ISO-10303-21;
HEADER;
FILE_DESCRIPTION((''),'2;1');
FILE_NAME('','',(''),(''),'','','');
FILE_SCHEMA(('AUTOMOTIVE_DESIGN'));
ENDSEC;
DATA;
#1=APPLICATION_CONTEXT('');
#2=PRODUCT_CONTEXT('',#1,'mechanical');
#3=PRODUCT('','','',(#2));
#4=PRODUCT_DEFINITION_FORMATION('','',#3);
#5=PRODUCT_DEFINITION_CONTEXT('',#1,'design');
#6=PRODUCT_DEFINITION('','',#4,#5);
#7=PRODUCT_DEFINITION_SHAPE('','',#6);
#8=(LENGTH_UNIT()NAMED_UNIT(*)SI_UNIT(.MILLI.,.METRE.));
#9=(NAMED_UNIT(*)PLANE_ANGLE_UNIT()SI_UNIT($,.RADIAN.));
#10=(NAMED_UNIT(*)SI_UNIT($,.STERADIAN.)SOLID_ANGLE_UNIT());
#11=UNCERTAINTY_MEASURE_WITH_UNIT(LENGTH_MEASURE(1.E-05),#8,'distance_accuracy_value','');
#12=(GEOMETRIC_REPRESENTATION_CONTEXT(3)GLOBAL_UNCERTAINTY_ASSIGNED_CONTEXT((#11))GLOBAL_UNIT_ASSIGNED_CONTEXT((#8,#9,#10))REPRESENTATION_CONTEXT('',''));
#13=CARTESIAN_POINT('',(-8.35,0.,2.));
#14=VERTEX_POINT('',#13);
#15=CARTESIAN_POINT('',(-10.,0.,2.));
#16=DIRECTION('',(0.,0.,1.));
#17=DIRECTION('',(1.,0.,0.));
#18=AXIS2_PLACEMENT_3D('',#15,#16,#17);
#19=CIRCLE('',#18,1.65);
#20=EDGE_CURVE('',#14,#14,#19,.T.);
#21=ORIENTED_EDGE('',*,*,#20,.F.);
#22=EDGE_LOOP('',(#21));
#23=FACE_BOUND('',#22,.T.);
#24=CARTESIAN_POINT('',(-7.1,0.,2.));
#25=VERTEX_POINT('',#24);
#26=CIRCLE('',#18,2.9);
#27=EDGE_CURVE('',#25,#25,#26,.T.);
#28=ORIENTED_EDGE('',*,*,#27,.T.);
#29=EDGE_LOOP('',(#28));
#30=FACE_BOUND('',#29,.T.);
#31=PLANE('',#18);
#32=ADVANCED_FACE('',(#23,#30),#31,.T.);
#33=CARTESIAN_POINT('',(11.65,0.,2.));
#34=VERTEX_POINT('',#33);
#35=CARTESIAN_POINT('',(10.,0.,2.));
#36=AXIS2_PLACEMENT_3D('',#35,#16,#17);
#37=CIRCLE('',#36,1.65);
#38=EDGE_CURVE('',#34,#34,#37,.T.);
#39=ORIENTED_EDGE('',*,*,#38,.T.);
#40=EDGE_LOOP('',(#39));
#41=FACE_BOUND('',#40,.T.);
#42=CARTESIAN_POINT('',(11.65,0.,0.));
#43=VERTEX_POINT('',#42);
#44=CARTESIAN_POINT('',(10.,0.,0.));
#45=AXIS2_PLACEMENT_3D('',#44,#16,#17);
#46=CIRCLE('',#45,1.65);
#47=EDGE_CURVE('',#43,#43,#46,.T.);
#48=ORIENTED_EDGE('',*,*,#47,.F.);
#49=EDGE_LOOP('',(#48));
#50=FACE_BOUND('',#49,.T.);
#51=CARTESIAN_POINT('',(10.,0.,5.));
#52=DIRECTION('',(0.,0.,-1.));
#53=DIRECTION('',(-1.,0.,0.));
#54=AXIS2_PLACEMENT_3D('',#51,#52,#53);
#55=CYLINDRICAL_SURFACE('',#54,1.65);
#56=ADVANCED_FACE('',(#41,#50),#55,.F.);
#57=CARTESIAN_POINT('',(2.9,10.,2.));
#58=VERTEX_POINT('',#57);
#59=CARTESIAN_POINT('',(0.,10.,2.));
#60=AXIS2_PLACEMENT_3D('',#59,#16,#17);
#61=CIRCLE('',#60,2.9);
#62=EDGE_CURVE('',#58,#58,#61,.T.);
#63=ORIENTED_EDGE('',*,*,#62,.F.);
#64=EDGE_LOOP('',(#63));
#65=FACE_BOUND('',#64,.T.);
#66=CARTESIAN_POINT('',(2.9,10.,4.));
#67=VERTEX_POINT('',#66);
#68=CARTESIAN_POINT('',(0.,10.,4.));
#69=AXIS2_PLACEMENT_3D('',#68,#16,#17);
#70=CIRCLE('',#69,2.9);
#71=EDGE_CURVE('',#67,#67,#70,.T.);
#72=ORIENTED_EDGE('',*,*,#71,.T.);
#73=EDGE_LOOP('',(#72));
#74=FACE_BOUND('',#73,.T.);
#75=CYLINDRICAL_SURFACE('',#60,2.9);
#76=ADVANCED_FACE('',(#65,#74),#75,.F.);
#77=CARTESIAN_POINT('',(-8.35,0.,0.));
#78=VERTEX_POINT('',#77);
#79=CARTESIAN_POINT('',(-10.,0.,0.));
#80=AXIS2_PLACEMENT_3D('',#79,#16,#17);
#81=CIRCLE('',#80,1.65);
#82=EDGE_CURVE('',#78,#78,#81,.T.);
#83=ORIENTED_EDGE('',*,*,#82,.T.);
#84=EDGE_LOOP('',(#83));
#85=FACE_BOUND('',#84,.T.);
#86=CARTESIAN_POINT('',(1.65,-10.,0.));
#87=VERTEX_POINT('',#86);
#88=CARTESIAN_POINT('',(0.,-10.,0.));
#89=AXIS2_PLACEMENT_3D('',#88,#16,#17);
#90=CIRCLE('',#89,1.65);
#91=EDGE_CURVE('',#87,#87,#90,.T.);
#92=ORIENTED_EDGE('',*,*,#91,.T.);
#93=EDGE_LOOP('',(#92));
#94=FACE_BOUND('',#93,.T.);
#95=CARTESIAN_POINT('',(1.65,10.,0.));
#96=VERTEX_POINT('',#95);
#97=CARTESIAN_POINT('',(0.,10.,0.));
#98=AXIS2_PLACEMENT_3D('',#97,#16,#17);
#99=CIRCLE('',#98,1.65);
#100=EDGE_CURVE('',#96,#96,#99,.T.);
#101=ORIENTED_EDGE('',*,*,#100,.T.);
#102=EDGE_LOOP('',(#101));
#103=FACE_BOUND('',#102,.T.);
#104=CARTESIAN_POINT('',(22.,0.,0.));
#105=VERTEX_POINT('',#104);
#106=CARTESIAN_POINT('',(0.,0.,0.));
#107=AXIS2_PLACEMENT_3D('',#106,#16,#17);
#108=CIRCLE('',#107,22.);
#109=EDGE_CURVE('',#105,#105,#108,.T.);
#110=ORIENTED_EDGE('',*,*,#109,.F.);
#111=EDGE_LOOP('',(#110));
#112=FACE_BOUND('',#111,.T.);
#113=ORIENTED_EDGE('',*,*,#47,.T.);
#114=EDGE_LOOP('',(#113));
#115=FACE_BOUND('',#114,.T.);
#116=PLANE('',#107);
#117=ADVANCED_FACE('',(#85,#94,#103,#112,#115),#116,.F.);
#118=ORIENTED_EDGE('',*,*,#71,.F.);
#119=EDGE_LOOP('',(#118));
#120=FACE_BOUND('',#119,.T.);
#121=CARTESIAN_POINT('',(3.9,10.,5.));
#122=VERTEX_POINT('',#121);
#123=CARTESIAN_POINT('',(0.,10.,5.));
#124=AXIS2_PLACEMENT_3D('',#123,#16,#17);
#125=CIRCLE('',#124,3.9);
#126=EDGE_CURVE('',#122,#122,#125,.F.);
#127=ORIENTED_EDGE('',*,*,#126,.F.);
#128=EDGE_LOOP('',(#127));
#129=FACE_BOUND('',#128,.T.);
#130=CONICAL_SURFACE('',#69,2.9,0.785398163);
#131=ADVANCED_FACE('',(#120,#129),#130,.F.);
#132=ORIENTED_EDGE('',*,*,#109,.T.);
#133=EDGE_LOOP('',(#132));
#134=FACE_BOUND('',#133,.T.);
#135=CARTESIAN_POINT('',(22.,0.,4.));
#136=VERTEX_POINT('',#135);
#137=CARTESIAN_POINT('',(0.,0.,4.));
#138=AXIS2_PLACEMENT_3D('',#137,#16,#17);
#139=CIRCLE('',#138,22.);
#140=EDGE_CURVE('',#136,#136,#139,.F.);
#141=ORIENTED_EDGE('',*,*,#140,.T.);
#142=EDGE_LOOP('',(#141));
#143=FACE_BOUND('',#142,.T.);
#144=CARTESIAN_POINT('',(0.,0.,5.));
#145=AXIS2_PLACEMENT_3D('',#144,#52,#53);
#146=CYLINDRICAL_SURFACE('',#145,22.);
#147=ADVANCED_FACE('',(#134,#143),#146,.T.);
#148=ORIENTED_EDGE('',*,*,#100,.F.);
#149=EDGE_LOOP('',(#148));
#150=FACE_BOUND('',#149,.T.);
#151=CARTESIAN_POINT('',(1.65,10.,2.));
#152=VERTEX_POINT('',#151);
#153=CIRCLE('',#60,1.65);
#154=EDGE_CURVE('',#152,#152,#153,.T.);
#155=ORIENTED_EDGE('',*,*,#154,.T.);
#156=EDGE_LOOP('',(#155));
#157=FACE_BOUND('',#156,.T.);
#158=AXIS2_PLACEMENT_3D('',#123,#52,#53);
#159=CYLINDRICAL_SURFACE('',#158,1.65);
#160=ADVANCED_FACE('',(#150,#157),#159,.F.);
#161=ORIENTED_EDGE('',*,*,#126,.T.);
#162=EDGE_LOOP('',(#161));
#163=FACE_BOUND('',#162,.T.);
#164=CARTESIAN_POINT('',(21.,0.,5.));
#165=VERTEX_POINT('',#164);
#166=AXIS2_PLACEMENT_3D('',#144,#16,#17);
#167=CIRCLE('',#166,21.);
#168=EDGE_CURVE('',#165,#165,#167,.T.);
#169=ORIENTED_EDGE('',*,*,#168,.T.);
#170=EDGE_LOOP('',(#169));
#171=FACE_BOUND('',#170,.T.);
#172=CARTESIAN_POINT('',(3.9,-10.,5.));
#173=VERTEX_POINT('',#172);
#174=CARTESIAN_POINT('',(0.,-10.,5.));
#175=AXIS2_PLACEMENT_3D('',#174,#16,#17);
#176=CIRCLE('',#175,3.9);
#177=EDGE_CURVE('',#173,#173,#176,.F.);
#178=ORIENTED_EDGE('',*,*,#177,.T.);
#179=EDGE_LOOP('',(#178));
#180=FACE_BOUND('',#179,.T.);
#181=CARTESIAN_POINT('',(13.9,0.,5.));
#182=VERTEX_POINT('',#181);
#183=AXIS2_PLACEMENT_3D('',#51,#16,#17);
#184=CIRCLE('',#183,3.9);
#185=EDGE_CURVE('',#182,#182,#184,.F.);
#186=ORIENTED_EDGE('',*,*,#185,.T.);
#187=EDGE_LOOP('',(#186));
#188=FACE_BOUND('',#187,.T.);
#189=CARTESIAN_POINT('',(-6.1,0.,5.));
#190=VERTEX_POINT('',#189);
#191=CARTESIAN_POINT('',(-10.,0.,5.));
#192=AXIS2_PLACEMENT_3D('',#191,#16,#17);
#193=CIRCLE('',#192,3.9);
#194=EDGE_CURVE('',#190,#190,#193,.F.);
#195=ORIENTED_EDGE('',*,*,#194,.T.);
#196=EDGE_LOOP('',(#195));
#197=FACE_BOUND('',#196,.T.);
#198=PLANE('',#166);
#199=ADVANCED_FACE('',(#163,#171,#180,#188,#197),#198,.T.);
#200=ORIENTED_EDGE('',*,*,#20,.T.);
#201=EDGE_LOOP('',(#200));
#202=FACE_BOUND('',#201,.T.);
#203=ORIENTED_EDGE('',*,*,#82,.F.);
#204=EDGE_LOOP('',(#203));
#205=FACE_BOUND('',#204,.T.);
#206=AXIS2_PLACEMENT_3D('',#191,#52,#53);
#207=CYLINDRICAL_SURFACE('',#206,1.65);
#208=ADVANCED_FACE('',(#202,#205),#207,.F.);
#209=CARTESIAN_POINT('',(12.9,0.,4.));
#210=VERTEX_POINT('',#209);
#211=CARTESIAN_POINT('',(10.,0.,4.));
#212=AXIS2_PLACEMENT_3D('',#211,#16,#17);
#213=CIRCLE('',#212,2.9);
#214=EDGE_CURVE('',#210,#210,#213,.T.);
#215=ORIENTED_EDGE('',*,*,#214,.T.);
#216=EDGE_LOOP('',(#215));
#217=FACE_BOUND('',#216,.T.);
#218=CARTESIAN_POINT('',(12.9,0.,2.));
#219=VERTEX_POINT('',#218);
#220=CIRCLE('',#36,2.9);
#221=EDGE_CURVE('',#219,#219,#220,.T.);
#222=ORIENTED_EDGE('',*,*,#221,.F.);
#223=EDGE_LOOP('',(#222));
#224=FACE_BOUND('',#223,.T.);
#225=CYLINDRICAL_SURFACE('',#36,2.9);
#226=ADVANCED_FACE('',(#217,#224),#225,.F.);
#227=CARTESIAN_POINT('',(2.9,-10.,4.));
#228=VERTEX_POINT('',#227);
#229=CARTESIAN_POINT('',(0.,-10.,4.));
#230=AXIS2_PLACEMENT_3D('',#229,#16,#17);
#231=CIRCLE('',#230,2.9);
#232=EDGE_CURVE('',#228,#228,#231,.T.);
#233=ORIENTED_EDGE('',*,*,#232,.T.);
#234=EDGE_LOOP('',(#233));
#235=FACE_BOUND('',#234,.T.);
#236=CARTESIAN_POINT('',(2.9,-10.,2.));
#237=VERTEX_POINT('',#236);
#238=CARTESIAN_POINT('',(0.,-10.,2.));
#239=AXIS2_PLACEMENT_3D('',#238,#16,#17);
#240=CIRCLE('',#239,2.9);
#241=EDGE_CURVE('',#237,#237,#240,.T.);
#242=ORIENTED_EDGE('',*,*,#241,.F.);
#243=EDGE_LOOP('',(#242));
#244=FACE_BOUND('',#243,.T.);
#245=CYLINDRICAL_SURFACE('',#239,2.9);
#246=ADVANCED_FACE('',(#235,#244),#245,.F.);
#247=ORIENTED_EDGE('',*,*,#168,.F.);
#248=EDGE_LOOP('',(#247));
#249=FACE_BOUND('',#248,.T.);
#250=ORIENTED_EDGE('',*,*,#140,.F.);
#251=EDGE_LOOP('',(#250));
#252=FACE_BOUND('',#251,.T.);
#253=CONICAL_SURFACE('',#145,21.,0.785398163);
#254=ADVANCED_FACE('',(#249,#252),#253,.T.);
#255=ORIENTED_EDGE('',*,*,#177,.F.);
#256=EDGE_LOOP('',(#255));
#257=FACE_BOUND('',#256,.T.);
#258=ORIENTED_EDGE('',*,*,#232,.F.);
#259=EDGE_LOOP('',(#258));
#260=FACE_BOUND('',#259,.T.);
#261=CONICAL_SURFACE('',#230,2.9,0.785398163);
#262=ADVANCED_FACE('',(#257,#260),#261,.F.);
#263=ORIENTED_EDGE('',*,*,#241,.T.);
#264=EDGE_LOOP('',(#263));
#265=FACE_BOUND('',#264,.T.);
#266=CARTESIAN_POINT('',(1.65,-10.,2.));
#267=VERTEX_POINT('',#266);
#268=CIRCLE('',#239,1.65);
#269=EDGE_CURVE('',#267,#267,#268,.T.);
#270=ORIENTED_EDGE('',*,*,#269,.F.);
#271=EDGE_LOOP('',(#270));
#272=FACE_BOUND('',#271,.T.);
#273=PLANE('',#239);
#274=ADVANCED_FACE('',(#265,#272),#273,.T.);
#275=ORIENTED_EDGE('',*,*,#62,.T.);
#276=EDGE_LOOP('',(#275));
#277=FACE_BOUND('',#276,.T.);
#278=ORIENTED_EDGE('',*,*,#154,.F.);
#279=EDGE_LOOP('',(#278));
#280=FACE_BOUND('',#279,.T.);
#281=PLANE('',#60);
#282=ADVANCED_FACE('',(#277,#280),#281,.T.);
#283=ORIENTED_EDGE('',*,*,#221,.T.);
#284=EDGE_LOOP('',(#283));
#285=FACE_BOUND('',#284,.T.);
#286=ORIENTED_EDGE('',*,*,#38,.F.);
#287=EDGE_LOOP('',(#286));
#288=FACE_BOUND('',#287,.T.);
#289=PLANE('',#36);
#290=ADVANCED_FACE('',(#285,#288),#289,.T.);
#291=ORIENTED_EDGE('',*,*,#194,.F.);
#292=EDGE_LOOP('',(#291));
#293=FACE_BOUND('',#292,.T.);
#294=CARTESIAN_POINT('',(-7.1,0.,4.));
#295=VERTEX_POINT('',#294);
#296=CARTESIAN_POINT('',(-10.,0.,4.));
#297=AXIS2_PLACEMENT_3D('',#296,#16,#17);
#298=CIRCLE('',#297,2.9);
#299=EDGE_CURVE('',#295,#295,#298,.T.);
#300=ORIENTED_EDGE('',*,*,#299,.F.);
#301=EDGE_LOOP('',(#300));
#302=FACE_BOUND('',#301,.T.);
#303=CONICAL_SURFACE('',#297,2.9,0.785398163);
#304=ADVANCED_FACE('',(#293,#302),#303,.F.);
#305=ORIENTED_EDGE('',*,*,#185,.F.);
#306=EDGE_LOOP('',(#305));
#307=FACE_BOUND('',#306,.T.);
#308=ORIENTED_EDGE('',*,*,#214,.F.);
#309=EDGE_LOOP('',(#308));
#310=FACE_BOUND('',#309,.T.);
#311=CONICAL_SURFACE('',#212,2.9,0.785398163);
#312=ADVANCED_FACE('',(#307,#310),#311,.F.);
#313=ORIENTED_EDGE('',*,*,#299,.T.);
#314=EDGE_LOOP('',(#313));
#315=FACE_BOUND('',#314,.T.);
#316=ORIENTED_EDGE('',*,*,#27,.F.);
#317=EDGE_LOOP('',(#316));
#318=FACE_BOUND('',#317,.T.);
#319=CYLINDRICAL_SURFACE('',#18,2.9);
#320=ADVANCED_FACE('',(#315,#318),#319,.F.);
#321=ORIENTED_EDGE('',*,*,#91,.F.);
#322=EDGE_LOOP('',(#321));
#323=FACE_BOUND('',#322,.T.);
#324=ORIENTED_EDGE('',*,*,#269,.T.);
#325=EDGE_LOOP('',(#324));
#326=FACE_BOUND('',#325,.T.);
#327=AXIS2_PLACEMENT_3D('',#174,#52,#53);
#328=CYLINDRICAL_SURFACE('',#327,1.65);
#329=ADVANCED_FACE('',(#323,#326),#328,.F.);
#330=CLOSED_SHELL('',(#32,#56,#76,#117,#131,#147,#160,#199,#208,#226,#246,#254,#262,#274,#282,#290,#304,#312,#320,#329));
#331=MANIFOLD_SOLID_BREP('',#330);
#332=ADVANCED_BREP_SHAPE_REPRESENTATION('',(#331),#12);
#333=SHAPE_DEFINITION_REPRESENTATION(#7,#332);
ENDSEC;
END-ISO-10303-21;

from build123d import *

# Parameters (mm, degrees)
SKIZZE1_R                       = 22
SKIZZE1_R_2                     = 1.65
AUFSATZ_LINEAR_AUSTRAGEN1_DEPTH = 5
SKIZZE2_R                       = 2.9
SCHNITT_LINEAR_AUSTRAGEN1_DEPTH = 3
VERRUNDUNG1_SIZE                = 1


with BuildPart() as part:
    # Skizze1 → Aufsatz-Linear austragen1 (new body)
    with BuildSketch(Plane.XY):
        Circle(SKIZZE1_R)
        with Locations((10, 0)):
            Circle(SKIZZE1_R_2, mode=Mode.SUBTRACT)
        with Locations((0, -10)):
            Circle(SKIZZE1_R_2, mode=Mode.SUBTRACT)
        with Locations((-10, 0)):
            Circle(SKIZZE1_R_2, mode=Mode.SUBTRACT)
        with Locations((0, 10)):
            Circle(SKIZZE1_R_2, mode=Mode.SUBTRACT)
    extrude(amount=AUFSATZ_LINEAR_AUSTRAGEN1_DEPTH)

    # Skizze2 → Schnitt-Linear austragen1 (cut)
    with BuildSketch(Plane.XY.offset(5)):
        with Locations((0, 10)):
            Circle(SKIZZE2_R)
        with Locations((10, 0)):
            Circle(SKIZZE2_R)
        with Locations((0, -10)):
            Circle(SKIZZE2_R)
        with Locations((-10, 0)):
            Circle(SKIZZE2_R)
    extrude(amount=-SCHNITT_LINEAR_AUSTRAGEN1_DEPTH, mode=Mode.SUBTRACT)

    # Verrundung1
    verrundung1_edges = [part.edges().sort_by_distance(p)[0] for p in [
        (-2.9, 10, 5),
        (7.1, 0, 5),
        (-22, 0, 5),
        (-2.9, -10, 5),
        (-12.9, 0, 5),
    ]]
    chamfer(verrundung1_edges, length=VERRUNDUNG1_SIZE)


solid = part.part
